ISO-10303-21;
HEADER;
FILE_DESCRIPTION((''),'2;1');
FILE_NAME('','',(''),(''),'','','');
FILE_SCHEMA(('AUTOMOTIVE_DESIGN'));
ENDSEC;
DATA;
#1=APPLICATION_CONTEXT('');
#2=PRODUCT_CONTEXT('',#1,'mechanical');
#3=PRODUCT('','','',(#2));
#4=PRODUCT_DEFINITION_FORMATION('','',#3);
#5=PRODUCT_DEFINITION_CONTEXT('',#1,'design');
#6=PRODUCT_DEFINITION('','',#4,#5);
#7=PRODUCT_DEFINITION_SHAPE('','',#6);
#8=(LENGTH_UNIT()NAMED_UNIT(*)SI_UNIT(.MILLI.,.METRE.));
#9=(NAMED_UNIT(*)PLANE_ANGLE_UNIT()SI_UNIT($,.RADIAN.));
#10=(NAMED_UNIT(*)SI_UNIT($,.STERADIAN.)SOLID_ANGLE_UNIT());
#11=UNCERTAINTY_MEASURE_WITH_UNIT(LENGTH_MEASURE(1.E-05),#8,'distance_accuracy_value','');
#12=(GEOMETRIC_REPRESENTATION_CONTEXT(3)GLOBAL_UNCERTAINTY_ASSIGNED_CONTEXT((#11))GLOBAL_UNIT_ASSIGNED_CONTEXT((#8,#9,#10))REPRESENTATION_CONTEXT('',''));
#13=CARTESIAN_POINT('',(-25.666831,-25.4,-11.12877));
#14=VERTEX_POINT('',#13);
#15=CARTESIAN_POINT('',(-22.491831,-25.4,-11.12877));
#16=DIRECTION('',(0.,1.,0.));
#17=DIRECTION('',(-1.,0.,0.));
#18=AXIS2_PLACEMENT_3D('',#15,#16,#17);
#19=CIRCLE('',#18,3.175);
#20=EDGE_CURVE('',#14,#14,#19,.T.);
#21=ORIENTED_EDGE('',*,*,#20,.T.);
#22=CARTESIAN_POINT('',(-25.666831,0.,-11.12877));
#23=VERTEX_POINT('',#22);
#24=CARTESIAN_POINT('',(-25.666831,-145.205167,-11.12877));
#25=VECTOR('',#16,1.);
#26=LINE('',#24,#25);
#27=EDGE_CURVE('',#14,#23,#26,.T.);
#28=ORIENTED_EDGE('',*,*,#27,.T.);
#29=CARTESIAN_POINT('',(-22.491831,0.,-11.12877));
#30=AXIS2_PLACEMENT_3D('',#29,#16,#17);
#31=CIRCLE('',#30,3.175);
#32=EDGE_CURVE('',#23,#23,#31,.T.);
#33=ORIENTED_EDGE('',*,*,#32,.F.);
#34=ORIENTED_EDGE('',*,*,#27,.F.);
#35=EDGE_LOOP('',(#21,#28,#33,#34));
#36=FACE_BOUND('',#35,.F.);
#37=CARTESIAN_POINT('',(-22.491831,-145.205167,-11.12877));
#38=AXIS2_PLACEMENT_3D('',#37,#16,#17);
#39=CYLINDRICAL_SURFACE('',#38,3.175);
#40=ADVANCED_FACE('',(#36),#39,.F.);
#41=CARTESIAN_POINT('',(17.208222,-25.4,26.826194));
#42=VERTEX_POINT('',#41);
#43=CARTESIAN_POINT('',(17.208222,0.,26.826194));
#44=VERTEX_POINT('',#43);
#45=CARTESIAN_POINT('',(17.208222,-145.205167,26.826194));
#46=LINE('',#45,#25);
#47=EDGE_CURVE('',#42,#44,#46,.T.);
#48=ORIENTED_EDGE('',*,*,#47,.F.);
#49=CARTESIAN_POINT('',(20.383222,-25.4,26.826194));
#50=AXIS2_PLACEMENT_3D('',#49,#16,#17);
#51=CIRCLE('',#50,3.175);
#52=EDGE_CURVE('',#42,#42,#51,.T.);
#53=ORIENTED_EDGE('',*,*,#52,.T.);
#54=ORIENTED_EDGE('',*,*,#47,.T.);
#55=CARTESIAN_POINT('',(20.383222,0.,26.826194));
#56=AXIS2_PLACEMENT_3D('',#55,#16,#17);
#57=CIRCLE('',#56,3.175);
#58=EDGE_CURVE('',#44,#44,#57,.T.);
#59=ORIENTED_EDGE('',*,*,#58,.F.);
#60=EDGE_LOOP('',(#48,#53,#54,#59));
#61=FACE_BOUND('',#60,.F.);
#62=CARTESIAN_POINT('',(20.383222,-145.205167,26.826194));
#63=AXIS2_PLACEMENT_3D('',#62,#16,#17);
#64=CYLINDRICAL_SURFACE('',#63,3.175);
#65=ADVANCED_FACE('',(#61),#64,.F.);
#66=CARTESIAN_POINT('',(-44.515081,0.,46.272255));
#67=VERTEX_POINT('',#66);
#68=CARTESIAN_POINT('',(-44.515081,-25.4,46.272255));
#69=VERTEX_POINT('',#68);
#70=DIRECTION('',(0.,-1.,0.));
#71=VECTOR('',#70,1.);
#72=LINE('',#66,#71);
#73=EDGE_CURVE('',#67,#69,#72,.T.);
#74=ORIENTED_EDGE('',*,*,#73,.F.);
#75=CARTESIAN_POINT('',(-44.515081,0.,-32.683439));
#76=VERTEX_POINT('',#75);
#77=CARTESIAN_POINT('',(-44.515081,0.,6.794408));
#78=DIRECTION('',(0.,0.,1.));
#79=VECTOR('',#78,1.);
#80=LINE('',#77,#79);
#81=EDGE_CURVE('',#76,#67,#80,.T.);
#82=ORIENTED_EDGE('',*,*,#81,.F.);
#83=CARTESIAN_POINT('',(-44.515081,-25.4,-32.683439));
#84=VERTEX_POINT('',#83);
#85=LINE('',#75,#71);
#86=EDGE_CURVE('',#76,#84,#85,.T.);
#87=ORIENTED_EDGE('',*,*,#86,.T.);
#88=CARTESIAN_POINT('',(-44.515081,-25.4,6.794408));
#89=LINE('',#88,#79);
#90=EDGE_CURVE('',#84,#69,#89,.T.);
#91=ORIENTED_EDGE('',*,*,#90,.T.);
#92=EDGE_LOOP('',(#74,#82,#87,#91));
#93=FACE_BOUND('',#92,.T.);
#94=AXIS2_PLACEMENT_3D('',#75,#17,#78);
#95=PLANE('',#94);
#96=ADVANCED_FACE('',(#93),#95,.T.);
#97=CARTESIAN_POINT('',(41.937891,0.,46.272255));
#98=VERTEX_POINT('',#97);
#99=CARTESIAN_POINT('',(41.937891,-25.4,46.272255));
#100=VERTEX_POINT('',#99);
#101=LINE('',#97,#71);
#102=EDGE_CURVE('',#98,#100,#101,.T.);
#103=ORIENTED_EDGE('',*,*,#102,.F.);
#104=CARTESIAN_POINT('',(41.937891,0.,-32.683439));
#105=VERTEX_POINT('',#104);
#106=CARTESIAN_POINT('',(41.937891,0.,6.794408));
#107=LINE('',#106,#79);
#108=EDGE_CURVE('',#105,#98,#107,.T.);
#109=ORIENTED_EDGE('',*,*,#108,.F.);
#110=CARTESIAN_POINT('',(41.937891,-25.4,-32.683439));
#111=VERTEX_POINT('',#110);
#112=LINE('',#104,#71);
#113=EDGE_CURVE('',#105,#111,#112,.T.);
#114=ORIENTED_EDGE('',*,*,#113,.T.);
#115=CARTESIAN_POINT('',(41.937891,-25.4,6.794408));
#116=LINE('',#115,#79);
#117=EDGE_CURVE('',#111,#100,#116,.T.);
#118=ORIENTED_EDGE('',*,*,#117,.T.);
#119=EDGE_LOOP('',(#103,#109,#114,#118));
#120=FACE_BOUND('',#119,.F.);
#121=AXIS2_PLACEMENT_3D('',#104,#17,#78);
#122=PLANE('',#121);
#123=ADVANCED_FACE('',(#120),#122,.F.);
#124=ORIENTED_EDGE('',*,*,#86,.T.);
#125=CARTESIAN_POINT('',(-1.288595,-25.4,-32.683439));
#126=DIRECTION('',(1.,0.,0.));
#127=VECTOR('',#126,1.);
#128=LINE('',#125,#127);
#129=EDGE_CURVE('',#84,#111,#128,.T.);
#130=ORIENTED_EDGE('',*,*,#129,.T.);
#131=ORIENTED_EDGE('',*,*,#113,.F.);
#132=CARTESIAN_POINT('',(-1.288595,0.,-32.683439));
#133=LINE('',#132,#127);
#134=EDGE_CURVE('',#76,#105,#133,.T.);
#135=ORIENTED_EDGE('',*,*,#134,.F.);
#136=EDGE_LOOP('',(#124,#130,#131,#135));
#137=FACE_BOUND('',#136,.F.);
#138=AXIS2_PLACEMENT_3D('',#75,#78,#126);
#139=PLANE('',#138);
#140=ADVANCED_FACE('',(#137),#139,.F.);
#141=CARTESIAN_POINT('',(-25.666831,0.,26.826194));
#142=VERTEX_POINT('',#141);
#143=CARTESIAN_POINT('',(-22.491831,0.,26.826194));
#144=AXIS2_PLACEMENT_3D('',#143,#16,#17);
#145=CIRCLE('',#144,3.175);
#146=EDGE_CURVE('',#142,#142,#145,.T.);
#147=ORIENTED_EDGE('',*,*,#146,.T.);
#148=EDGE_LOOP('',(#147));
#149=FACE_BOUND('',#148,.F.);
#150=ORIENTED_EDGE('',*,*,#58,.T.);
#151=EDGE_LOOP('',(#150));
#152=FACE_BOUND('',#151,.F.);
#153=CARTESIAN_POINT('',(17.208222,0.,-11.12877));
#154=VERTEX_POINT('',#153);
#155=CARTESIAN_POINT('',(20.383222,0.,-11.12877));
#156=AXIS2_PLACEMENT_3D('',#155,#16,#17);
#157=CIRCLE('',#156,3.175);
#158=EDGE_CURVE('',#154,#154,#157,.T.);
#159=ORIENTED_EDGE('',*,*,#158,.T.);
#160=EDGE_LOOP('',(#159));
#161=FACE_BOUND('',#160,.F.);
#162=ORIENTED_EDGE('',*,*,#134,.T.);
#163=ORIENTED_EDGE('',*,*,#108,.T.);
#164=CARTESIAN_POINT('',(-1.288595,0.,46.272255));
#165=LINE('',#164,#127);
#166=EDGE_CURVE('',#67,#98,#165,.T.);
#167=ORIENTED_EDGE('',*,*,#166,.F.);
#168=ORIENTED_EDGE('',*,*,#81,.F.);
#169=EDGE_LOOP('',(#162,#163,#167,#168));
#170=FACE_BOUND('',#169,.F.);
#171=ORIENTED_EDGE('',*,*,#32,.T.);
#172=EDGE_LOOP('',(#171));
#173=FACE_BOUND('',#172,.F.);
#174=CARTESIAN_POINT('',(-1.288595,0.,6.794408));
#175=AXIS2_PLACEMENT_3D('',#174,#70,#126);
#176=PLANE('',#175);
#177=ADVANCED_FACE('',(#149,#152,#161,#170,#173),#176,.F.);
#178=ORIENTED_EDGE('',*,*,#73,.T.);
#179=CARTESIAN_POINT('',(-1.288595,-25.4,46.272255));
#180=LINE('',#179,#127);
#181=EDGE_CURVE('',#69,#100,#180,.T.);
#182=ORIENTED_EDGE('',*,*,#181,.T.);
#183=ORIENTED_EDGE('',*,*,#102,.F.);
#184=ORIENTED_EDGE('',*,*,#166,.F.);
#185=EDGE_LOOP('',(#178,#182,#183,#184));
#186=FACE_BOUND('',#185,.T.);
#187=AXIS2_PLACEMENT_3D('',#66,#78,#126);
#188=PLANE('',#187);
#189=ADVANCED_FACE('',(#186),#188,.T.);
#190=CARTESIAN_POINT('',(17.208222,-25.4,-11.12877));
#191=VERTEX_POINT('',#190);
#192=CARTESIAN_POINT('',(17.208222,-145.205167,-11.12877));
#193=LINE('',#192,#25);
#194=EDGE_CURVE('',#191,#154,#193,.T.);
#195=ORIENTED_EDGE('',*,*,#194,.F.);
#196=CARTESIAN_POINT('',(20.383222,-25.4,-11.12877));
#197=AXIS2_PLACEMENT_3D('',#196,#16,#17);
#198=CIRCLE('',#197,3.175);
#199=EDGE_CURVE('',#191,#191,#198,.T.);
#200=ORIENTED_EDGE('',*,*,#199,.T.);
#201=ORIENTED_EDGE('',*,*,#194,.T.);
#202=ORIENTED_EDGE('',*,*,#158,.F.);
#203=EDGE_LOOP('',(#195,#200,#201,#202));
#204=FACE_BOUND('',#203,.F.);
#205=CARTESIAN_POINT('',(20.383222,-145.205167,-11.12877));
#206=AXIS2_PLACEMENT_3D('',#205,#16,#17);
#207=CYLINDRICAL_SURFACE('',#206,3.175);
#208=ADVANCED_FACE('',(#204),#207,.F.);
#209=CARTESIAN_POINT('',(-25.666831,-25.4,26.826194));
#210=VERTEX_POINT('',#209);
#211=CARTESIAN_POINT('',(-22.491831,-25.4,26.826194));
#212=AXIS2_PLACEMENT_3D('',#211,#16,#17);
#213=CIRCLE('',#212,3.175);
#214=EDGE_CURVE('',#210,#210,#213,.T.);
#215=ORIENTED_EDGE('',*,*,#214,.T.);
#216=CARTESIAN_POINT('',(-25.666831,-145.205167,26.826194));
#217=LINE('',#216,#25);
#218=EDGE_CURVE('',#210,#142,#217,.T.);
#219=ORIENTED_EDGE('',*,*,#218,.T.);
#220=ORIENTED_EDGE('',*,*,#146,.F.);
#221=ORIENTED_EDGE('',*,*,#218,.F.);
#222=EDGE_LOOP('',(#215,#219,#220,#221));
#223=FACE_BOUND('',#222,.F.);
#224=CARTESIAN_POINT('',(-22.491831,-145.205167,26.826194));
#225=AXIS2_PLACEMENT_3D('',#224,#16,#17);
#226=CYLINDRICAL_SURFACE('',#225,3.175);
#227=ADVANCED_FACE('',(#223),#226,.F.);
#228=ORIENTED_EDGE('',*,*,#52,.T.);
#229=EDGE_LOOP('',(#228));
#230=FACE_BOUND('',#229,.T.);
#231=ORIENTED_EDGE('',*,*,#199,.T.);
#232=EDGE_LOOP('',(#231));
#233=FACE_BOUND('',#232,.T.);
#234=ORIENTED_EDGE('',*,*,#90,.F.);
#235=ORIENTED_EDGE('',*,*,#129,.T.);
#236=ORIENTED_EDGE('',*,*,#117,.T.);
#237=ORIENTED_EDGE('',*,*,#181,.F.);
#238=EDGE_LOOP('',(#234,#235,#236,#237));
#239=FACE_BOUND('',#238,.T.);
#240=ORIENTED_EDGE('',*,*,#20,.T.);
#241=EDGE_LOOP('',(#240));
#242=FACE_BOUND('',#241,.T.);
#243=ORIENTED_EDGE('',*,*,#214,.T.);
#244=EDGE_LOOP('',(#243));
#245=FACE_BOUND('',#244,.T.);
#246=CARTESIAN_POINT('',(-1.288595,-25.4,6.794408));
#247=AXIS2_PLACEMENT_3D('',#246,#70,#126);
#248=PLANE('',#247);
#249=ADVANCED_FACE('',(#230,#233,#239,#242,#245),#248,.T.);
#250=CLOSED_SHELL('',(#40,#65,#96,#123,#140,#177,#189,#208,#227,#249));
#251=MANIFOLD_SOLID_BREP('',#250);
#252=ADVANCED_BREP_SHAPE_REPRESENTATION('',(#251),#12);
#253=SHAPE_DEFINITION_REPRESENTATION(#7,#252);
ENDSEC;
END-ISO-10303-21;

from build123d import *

# Parameters (mm, degrees)
F0_W     = 86.452972
F0_H     = 78.955695
F1_DEPTH = 25.4
F3_D     = 6.35


with BuildPart() as f1:
    # F0 (on Front) → F1 (new body)
    with BuildSketch(Plane.XZ):
        with Locations((-1.288595, 6.794408)):
            Rectangle(F0_W, F0_H)
    extrude(amount=F1_DEPTH)

    # F3 (through all)
    with Locations(Plane.XZ.offset(25.4)):
        with Locations((-22.491831, 26.826194), (20.383222, 26.826194), (20.383222, -11.12877), (-22.491831, -11.12877)):
            Hole(F3_D / 2)


solid = f1.part
